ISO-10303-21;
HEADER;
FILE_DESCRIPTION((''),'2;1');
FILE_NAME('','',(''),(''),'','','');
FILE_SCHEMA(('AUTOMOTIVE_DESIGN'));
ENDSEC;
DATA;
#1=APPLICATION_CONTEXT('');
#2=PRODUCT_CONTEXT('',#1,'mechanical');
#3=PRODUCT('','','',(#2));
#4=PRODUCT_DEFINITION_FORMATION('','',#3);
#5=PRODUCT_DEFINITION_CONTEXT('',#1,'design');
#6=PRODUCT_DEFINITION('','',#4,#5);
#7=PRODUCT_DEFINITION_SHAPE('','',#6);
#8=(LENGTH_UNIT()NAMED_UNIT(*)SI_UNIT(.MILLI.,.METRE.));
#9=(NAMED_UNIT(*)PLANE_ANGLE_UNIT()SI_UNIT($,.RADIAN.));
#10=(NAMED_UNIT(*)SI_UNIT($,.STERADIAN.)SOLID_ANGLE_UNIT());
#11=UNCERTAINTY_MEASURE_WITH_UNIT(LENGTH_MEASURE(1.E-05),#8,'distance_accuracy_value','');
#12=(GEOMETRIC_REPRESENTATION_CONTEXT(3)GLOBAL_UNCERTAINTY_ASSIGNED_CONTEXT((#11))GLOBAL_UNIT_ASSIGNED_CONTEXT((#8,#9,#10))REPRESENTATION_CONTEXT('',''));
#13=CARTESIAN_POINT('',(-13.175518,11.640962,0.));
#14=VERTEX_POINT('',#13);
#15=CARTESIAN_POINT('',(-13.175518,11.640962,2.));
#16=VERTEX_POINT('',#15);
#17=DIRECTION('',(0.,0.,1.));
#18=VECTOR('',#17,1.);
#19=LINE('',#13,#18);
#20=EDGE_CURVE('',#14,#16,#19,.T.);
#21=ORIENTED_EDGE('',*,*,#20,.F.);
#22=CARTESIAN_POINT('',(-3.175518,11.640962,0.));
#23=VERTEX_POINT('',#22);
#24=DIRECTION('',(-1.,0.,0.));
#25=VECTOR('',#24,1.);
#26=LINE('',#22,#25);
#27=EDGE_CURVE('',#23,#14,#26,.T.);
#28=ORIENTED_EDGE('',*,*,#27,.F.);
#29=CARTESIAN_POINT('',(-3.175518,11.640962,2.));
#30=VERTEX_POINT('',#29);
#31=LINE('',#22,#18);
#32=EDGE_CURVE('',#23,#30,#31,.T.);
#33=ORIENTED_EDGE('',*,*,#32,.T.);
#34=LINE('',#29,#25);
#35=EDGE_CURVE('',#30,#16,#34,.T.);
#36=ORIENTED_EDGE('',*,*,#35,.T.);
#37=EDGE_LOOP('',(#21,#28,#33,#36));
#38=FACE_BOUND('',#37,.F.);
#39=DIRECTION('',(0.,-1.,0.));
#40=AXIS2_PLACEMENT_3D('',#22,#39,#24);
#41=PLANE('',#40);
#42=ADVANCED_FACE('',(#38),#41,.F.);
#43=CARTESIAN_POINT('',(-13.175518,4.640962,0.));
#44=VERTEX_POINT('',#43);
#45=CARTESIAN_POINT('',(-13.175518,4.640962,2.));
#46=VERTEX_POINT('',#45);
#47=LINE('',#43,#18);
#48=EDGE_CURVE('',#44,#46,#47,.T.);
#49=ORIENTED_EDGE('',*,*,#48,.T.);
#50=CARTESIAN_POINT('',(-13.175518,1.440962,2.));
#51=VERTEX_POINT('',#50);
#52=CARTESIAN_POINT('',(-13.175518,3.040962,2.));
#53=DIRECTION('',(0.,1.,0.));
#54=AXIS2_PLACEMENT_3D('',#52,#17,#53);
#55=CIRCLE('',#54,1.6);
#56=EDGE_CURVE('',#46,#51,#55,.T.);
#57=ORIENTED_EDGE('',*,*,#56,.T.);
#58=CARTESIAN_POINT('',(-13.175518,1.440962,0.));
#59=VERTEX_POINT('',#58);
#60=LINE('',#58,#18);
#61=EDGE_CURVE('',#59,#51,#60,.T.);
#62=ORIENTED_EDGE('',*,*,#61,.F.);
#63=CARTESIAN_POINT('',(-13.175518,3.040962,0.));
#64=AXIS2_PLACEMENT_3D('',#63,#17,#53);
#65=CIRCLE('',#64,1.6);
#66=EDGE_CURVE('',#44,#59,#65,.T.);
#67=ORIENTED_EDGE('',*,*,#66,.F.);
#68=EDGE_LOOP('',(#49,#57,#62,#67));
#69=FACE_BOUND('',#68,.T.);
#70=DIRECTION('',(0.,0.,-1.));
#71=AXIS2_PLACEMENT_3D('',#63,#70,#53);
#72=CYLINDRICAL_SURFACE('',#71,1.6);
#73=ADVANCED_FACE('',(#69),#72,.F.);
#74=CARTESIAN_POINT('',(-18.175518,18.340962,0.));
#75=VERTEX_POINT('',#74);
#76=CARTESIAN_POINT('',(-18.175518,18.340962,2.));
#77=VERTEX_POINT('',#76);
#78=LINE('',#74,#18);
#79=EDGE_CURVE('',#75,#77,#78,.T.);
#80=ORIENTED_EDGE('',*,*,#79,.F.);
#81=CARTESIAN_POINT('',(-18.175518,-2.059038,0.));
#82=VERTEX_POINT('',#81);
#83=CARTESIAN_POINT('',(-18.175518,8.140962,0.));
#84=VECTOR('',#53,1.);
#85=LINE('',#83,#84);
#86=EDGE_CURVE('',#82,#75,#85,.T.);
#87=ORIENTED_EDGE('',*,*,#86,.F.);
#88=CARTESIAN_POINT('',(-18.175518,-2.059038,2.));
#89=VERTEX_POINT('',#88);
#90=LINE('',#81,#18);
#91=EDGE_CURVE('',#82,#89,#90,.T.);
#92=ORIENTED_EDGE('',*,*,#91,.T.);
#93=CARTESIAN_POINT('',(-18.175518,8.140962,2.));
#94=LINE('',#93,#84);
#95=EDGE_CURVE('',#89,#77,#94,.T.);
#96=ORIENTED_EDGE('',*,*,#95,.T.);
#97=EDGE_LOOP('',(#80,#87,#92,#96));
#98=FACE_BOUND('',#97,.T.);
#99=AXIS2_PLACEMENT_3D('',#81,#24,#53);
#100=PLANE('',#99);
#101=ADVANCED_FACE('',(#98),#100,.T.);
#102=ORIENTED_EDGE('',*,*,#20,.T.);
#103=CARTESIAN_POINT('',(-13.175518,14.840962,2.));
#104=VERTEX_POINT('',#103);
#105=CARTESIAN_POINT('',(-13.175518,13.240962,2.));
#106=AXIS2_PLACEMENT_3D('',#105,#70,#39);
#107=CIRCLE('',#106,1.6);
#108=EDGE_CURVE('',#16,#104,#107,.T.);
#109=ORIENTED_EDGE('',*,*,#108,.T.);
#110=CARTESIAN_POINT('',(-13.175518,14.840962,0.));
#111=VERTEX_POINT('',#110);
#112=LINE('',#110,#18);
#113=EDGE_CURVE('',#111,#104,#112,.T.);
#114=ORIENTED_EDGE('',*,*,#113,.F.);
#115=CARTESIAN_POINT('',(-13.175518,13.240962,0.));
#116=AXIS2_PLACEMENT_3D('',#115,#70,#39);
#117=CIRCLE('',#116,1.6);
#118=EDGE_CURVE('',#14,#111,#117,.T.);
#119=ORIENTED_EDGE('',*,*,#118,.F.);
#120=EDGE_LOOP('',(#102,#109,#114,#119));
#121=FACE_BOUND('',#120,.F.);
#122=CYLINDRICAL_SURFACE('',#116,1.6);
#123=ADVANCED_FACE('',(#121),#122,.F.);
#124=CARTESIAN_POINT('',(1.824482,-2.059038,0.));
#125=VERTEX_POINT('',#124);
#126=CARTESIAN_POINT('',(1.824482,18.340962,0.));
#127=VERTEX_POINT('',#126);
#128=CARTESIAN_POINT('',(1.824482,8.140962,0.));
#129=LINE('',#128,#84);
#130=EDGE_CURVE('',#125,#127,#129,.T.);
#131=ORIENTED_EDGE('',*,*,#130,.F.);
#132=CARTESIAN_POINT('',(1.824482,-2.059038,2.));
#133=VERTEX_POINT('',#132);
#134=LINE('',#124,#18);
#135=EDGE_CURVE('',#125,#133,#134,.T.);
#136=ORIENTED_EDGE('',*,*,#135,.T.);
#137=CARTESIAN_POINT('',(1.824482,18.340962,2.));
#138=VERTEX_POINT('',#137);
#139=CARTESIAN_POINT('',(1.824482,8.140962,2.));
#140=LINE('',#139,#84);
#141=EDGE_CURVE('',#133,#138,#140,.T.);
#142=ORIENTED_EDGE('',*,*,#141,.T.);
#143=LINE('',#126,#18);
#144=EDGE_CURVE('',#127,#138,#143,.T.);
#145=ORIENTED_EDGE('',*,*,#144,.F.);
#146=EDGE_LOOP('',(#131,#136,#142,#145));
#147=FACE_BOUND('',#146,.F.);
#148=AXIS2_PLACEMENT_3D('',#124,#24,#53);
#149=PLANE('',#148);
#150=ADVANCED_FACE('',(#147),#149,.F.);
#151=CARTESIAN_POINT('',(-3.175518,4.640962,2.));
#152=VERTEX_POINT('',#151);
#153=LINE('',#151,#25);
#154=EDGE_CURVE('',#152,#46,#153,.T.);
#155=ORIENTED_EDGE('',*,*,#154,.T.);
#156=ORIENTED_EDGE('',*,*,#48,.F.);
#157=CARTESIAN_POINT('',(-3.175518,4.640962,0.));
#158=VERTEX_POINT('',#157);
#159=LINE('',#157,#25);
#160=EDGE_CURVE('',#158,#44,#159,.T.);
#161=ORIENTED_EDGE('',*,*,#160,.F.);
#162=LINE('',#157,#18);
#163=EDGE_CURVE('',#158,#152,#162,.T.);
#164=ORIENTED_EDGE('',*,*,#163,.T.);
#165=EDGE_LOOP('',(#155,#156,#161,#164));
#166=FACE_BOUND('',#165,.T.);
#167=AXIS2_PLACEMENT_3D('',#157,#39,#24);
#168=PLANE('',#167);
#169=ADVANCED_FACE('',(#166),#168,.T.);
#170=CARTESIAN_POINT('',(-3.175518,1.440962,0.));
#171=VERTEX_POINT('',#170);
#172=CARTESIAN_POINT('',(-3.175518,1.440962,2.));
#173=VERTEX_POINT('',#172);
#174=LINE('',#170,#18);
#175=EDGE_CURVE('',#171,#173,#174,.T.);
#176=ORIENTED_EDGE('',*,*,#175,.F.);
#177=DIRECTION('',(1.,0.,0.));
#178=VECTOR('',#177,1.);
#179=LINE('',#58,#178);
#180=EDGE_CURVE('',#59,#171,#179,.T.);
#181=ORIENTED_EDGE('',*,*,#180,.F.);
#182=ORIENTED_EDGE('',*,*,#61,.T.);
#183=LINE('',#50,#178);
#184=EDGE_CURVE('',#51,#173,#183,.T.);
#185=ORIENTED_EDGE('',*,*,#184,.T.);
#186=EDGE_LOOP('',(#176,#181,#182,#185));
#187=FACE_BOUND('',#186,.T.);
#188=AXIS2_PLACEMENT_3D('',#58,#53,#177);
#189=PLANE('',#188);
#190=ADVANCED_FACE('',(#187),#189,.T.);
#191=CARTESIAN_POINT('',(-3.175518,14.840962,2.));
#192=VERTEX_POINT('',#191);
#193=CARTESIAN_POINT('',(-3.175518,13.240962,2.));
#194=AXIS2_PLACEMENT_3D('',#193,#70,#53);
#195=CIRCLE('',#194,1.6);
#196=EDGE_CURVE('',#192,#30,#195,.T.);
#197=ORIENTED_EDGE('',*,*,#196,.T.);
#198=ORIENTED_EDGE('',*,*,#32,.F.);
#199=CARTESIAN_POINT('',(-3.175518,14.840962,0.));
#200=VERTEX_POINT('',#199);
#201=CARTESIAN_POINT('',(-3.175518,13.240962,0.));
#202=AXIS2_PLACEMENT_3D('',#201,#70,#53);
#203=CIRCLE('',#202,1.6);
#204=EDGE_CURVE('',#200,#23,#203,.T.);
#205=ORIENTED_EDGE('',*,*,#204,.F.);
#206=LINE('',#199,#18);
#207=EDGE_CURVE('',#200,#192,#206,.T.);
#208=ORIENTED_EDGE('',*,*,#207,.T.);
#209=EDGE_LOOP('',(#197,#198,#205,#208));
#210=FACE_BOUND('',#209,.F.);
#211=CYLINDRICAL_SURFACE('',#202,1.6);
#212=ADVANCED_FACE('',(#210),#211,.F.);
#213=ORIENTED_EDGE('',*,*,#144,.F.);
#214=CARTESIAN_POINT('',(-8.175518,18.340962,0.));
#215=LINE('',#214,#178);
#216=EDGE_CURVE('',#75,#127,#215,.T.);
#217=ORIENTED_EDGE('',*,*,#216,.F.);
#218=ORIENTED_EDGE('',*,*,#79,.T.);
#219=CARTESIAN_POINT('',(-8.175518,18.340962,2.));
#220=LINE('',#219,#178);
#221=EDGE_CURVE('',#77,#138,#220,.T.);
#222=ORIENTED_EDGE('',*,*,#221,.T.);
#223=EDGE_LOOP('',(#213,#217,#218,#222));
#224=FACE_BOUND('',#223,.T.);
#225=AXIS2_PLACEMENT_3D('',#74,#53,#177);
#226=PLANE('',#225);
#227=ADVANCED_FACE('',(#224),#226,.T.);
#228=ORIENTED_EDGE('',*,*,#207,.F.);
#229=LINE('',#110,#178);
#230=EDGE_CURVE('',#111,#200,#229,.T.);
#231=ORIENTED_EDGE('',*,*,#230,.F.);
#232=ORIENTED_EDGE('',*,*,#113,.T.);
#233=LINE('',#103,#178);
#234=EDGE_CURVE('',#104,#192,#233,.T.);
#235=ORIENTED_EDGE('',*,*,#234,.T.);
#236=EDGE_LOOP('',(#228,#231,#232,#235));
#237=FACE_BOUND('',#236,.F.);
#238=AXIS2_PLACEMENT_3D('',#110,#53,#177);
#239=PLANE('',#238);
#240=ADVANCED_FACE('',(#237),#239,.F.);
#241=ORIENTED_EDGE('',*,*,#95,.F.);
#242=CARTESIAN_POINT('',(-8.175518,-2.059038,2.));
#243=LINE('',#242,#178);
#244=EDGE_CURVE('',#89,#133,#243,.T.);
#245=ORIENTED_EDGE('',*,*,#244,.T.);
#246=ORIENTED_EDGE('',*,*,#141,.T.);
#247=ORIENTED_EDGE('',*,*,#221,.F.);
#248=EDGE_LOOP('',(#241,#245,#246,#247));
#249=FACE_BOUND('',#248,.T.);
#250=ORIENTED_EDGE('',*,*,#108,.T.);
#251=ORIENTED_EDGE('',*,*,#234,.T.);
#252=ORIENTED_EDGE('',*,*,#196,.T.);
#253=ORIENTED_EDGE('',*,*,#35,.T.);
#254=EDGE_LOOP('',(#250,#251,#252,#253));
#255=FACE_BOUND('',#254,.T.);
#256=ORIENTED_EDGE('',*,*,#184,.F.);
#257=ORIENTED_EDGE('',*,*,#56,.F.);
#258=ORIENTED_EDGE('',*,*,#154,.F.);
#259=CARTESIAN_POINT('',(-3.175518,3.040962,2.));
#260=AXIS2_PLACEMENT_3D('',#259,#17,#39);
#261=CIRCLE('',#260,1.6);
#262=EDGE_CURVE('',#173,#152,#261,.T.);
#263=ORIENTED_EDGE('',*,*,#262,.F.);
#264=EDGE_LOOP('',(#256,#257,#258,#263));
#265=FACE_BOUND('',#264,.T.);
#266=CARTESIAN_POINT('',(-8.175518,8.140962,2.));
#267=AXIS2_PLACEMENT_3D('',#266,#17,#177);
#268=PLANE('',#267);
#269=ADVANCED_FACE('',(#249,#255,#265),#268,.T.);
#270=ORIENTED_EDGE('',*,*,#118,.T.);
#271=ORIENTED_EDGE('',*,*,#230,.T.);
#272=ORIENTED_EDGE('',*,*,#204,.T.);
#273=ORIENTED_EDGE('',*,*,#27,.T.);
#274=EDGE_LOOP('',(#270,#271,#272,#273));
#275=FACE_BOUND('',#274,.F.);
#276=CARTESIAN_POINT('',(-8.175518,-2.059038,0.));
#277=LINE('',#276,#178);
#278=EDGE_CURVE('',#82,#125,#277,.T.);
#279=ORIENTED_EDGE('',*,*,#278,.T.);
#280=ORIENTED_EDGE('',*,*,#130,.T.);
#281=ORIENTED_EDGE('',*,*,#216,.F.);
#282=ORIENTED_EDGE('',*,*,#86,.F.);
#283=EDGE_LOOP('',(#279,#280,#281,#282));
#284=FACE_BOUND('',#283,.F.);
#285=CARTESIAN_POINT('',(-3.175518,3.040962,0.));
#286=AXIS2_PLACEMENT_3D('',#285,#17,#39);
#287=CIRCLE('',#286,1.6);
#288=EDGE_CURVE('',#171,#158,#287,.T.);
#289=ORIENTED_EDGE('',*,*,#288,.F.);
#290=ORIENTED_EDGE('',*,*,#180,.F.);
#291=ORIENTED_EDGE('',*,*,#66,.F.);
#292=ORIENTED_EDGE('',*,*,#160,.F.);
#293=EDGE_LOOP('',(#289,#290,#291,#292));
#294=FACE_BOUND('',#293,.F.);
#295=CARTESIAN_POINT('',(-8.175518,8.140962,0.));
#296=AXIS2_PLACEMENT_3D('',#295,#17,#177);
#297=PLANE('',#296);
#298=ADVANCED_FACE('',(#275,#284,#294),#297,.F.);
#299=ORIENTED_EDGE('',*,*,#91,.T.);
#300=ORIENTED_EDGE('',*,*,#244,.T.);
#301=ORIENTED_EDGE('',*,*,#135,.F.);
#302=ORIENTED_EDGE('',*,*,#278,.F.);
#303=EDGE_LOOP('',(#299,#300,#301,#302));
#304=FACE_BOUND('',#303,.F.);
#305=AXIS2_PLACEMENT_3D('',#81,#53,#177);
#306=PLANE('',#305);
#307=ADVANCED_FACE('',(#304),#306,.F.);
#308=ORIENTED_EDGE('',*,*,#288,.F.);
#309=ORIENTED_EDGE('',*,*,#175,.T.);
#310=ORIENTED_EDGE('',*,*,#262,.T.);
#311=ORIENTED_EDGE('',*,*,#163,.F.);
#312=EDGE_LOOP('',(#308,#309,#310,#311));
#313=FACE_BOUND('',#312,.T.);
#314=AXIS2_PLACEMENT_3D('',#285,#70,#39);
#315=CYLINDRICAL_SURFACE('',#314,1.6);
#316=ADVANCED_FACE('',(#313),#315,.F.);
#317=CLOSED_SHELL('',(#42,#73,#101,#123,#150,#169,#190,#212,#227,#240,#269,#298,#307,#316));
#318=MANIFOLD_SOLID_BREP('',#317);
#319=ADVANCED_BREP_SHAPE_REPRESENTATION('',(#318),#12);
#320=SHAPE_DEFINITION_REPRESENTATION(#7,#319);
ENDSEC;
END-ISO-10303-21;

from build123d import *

# Parameters (mm, degrees)
SKETCH_1_W      = 20
SKETCH_1_H      = 20.4
EXTRUDE_1_DEPTH = 2


with BuildPart() as part:
    # 草图1 → 凸台-拉伸1 (new body)
    with BuildSketch(Plane.XY):
        with Locations((-8.175518001, 8.140962295)):
            Rectangle(SKETCH_1_W, SKETCH_1_H)
        with BuildLine():
            Line((-13.175518001, 14.840962295), (-3.175518001, 14.840962295))
            ThreePointArc((-3.175518001, 14.840962295), (-1.575518001, 13.240962295), (-3.175518001, 11.640962295))
            Line((-3.175518001, 11.640962295), (-13.175518001, 11.640962295))
            ThreePointArc((-13.175518001, 11.640962295), (-14.775518001, 13.240962295), (-13.175518001, 14.840962295))
        make_face(mode=Mode.SUBTRACT)
        with BuildLine():
            Line((-13.175518001, 1.440962295), (-3.175518001, 1.440962295))
            ThreePointArc((-3.175518001, 1.440962295), (-1.575518001, 3.040962295), (-3.175518001, 4.640962295))
            Line((-3.175518001, 4.640962295), (-13.175518001, 4.640962295))
            ThreePointArc((-13.175518001, 4.640962295), (-14.775518001, 3.040962295), (-13.175518001, 1.440962295))
        make_face(mode=Mode.SUBTRACT)
    extrude(amount=EXTRUDE_1_DEPTH)


solid = part.part
